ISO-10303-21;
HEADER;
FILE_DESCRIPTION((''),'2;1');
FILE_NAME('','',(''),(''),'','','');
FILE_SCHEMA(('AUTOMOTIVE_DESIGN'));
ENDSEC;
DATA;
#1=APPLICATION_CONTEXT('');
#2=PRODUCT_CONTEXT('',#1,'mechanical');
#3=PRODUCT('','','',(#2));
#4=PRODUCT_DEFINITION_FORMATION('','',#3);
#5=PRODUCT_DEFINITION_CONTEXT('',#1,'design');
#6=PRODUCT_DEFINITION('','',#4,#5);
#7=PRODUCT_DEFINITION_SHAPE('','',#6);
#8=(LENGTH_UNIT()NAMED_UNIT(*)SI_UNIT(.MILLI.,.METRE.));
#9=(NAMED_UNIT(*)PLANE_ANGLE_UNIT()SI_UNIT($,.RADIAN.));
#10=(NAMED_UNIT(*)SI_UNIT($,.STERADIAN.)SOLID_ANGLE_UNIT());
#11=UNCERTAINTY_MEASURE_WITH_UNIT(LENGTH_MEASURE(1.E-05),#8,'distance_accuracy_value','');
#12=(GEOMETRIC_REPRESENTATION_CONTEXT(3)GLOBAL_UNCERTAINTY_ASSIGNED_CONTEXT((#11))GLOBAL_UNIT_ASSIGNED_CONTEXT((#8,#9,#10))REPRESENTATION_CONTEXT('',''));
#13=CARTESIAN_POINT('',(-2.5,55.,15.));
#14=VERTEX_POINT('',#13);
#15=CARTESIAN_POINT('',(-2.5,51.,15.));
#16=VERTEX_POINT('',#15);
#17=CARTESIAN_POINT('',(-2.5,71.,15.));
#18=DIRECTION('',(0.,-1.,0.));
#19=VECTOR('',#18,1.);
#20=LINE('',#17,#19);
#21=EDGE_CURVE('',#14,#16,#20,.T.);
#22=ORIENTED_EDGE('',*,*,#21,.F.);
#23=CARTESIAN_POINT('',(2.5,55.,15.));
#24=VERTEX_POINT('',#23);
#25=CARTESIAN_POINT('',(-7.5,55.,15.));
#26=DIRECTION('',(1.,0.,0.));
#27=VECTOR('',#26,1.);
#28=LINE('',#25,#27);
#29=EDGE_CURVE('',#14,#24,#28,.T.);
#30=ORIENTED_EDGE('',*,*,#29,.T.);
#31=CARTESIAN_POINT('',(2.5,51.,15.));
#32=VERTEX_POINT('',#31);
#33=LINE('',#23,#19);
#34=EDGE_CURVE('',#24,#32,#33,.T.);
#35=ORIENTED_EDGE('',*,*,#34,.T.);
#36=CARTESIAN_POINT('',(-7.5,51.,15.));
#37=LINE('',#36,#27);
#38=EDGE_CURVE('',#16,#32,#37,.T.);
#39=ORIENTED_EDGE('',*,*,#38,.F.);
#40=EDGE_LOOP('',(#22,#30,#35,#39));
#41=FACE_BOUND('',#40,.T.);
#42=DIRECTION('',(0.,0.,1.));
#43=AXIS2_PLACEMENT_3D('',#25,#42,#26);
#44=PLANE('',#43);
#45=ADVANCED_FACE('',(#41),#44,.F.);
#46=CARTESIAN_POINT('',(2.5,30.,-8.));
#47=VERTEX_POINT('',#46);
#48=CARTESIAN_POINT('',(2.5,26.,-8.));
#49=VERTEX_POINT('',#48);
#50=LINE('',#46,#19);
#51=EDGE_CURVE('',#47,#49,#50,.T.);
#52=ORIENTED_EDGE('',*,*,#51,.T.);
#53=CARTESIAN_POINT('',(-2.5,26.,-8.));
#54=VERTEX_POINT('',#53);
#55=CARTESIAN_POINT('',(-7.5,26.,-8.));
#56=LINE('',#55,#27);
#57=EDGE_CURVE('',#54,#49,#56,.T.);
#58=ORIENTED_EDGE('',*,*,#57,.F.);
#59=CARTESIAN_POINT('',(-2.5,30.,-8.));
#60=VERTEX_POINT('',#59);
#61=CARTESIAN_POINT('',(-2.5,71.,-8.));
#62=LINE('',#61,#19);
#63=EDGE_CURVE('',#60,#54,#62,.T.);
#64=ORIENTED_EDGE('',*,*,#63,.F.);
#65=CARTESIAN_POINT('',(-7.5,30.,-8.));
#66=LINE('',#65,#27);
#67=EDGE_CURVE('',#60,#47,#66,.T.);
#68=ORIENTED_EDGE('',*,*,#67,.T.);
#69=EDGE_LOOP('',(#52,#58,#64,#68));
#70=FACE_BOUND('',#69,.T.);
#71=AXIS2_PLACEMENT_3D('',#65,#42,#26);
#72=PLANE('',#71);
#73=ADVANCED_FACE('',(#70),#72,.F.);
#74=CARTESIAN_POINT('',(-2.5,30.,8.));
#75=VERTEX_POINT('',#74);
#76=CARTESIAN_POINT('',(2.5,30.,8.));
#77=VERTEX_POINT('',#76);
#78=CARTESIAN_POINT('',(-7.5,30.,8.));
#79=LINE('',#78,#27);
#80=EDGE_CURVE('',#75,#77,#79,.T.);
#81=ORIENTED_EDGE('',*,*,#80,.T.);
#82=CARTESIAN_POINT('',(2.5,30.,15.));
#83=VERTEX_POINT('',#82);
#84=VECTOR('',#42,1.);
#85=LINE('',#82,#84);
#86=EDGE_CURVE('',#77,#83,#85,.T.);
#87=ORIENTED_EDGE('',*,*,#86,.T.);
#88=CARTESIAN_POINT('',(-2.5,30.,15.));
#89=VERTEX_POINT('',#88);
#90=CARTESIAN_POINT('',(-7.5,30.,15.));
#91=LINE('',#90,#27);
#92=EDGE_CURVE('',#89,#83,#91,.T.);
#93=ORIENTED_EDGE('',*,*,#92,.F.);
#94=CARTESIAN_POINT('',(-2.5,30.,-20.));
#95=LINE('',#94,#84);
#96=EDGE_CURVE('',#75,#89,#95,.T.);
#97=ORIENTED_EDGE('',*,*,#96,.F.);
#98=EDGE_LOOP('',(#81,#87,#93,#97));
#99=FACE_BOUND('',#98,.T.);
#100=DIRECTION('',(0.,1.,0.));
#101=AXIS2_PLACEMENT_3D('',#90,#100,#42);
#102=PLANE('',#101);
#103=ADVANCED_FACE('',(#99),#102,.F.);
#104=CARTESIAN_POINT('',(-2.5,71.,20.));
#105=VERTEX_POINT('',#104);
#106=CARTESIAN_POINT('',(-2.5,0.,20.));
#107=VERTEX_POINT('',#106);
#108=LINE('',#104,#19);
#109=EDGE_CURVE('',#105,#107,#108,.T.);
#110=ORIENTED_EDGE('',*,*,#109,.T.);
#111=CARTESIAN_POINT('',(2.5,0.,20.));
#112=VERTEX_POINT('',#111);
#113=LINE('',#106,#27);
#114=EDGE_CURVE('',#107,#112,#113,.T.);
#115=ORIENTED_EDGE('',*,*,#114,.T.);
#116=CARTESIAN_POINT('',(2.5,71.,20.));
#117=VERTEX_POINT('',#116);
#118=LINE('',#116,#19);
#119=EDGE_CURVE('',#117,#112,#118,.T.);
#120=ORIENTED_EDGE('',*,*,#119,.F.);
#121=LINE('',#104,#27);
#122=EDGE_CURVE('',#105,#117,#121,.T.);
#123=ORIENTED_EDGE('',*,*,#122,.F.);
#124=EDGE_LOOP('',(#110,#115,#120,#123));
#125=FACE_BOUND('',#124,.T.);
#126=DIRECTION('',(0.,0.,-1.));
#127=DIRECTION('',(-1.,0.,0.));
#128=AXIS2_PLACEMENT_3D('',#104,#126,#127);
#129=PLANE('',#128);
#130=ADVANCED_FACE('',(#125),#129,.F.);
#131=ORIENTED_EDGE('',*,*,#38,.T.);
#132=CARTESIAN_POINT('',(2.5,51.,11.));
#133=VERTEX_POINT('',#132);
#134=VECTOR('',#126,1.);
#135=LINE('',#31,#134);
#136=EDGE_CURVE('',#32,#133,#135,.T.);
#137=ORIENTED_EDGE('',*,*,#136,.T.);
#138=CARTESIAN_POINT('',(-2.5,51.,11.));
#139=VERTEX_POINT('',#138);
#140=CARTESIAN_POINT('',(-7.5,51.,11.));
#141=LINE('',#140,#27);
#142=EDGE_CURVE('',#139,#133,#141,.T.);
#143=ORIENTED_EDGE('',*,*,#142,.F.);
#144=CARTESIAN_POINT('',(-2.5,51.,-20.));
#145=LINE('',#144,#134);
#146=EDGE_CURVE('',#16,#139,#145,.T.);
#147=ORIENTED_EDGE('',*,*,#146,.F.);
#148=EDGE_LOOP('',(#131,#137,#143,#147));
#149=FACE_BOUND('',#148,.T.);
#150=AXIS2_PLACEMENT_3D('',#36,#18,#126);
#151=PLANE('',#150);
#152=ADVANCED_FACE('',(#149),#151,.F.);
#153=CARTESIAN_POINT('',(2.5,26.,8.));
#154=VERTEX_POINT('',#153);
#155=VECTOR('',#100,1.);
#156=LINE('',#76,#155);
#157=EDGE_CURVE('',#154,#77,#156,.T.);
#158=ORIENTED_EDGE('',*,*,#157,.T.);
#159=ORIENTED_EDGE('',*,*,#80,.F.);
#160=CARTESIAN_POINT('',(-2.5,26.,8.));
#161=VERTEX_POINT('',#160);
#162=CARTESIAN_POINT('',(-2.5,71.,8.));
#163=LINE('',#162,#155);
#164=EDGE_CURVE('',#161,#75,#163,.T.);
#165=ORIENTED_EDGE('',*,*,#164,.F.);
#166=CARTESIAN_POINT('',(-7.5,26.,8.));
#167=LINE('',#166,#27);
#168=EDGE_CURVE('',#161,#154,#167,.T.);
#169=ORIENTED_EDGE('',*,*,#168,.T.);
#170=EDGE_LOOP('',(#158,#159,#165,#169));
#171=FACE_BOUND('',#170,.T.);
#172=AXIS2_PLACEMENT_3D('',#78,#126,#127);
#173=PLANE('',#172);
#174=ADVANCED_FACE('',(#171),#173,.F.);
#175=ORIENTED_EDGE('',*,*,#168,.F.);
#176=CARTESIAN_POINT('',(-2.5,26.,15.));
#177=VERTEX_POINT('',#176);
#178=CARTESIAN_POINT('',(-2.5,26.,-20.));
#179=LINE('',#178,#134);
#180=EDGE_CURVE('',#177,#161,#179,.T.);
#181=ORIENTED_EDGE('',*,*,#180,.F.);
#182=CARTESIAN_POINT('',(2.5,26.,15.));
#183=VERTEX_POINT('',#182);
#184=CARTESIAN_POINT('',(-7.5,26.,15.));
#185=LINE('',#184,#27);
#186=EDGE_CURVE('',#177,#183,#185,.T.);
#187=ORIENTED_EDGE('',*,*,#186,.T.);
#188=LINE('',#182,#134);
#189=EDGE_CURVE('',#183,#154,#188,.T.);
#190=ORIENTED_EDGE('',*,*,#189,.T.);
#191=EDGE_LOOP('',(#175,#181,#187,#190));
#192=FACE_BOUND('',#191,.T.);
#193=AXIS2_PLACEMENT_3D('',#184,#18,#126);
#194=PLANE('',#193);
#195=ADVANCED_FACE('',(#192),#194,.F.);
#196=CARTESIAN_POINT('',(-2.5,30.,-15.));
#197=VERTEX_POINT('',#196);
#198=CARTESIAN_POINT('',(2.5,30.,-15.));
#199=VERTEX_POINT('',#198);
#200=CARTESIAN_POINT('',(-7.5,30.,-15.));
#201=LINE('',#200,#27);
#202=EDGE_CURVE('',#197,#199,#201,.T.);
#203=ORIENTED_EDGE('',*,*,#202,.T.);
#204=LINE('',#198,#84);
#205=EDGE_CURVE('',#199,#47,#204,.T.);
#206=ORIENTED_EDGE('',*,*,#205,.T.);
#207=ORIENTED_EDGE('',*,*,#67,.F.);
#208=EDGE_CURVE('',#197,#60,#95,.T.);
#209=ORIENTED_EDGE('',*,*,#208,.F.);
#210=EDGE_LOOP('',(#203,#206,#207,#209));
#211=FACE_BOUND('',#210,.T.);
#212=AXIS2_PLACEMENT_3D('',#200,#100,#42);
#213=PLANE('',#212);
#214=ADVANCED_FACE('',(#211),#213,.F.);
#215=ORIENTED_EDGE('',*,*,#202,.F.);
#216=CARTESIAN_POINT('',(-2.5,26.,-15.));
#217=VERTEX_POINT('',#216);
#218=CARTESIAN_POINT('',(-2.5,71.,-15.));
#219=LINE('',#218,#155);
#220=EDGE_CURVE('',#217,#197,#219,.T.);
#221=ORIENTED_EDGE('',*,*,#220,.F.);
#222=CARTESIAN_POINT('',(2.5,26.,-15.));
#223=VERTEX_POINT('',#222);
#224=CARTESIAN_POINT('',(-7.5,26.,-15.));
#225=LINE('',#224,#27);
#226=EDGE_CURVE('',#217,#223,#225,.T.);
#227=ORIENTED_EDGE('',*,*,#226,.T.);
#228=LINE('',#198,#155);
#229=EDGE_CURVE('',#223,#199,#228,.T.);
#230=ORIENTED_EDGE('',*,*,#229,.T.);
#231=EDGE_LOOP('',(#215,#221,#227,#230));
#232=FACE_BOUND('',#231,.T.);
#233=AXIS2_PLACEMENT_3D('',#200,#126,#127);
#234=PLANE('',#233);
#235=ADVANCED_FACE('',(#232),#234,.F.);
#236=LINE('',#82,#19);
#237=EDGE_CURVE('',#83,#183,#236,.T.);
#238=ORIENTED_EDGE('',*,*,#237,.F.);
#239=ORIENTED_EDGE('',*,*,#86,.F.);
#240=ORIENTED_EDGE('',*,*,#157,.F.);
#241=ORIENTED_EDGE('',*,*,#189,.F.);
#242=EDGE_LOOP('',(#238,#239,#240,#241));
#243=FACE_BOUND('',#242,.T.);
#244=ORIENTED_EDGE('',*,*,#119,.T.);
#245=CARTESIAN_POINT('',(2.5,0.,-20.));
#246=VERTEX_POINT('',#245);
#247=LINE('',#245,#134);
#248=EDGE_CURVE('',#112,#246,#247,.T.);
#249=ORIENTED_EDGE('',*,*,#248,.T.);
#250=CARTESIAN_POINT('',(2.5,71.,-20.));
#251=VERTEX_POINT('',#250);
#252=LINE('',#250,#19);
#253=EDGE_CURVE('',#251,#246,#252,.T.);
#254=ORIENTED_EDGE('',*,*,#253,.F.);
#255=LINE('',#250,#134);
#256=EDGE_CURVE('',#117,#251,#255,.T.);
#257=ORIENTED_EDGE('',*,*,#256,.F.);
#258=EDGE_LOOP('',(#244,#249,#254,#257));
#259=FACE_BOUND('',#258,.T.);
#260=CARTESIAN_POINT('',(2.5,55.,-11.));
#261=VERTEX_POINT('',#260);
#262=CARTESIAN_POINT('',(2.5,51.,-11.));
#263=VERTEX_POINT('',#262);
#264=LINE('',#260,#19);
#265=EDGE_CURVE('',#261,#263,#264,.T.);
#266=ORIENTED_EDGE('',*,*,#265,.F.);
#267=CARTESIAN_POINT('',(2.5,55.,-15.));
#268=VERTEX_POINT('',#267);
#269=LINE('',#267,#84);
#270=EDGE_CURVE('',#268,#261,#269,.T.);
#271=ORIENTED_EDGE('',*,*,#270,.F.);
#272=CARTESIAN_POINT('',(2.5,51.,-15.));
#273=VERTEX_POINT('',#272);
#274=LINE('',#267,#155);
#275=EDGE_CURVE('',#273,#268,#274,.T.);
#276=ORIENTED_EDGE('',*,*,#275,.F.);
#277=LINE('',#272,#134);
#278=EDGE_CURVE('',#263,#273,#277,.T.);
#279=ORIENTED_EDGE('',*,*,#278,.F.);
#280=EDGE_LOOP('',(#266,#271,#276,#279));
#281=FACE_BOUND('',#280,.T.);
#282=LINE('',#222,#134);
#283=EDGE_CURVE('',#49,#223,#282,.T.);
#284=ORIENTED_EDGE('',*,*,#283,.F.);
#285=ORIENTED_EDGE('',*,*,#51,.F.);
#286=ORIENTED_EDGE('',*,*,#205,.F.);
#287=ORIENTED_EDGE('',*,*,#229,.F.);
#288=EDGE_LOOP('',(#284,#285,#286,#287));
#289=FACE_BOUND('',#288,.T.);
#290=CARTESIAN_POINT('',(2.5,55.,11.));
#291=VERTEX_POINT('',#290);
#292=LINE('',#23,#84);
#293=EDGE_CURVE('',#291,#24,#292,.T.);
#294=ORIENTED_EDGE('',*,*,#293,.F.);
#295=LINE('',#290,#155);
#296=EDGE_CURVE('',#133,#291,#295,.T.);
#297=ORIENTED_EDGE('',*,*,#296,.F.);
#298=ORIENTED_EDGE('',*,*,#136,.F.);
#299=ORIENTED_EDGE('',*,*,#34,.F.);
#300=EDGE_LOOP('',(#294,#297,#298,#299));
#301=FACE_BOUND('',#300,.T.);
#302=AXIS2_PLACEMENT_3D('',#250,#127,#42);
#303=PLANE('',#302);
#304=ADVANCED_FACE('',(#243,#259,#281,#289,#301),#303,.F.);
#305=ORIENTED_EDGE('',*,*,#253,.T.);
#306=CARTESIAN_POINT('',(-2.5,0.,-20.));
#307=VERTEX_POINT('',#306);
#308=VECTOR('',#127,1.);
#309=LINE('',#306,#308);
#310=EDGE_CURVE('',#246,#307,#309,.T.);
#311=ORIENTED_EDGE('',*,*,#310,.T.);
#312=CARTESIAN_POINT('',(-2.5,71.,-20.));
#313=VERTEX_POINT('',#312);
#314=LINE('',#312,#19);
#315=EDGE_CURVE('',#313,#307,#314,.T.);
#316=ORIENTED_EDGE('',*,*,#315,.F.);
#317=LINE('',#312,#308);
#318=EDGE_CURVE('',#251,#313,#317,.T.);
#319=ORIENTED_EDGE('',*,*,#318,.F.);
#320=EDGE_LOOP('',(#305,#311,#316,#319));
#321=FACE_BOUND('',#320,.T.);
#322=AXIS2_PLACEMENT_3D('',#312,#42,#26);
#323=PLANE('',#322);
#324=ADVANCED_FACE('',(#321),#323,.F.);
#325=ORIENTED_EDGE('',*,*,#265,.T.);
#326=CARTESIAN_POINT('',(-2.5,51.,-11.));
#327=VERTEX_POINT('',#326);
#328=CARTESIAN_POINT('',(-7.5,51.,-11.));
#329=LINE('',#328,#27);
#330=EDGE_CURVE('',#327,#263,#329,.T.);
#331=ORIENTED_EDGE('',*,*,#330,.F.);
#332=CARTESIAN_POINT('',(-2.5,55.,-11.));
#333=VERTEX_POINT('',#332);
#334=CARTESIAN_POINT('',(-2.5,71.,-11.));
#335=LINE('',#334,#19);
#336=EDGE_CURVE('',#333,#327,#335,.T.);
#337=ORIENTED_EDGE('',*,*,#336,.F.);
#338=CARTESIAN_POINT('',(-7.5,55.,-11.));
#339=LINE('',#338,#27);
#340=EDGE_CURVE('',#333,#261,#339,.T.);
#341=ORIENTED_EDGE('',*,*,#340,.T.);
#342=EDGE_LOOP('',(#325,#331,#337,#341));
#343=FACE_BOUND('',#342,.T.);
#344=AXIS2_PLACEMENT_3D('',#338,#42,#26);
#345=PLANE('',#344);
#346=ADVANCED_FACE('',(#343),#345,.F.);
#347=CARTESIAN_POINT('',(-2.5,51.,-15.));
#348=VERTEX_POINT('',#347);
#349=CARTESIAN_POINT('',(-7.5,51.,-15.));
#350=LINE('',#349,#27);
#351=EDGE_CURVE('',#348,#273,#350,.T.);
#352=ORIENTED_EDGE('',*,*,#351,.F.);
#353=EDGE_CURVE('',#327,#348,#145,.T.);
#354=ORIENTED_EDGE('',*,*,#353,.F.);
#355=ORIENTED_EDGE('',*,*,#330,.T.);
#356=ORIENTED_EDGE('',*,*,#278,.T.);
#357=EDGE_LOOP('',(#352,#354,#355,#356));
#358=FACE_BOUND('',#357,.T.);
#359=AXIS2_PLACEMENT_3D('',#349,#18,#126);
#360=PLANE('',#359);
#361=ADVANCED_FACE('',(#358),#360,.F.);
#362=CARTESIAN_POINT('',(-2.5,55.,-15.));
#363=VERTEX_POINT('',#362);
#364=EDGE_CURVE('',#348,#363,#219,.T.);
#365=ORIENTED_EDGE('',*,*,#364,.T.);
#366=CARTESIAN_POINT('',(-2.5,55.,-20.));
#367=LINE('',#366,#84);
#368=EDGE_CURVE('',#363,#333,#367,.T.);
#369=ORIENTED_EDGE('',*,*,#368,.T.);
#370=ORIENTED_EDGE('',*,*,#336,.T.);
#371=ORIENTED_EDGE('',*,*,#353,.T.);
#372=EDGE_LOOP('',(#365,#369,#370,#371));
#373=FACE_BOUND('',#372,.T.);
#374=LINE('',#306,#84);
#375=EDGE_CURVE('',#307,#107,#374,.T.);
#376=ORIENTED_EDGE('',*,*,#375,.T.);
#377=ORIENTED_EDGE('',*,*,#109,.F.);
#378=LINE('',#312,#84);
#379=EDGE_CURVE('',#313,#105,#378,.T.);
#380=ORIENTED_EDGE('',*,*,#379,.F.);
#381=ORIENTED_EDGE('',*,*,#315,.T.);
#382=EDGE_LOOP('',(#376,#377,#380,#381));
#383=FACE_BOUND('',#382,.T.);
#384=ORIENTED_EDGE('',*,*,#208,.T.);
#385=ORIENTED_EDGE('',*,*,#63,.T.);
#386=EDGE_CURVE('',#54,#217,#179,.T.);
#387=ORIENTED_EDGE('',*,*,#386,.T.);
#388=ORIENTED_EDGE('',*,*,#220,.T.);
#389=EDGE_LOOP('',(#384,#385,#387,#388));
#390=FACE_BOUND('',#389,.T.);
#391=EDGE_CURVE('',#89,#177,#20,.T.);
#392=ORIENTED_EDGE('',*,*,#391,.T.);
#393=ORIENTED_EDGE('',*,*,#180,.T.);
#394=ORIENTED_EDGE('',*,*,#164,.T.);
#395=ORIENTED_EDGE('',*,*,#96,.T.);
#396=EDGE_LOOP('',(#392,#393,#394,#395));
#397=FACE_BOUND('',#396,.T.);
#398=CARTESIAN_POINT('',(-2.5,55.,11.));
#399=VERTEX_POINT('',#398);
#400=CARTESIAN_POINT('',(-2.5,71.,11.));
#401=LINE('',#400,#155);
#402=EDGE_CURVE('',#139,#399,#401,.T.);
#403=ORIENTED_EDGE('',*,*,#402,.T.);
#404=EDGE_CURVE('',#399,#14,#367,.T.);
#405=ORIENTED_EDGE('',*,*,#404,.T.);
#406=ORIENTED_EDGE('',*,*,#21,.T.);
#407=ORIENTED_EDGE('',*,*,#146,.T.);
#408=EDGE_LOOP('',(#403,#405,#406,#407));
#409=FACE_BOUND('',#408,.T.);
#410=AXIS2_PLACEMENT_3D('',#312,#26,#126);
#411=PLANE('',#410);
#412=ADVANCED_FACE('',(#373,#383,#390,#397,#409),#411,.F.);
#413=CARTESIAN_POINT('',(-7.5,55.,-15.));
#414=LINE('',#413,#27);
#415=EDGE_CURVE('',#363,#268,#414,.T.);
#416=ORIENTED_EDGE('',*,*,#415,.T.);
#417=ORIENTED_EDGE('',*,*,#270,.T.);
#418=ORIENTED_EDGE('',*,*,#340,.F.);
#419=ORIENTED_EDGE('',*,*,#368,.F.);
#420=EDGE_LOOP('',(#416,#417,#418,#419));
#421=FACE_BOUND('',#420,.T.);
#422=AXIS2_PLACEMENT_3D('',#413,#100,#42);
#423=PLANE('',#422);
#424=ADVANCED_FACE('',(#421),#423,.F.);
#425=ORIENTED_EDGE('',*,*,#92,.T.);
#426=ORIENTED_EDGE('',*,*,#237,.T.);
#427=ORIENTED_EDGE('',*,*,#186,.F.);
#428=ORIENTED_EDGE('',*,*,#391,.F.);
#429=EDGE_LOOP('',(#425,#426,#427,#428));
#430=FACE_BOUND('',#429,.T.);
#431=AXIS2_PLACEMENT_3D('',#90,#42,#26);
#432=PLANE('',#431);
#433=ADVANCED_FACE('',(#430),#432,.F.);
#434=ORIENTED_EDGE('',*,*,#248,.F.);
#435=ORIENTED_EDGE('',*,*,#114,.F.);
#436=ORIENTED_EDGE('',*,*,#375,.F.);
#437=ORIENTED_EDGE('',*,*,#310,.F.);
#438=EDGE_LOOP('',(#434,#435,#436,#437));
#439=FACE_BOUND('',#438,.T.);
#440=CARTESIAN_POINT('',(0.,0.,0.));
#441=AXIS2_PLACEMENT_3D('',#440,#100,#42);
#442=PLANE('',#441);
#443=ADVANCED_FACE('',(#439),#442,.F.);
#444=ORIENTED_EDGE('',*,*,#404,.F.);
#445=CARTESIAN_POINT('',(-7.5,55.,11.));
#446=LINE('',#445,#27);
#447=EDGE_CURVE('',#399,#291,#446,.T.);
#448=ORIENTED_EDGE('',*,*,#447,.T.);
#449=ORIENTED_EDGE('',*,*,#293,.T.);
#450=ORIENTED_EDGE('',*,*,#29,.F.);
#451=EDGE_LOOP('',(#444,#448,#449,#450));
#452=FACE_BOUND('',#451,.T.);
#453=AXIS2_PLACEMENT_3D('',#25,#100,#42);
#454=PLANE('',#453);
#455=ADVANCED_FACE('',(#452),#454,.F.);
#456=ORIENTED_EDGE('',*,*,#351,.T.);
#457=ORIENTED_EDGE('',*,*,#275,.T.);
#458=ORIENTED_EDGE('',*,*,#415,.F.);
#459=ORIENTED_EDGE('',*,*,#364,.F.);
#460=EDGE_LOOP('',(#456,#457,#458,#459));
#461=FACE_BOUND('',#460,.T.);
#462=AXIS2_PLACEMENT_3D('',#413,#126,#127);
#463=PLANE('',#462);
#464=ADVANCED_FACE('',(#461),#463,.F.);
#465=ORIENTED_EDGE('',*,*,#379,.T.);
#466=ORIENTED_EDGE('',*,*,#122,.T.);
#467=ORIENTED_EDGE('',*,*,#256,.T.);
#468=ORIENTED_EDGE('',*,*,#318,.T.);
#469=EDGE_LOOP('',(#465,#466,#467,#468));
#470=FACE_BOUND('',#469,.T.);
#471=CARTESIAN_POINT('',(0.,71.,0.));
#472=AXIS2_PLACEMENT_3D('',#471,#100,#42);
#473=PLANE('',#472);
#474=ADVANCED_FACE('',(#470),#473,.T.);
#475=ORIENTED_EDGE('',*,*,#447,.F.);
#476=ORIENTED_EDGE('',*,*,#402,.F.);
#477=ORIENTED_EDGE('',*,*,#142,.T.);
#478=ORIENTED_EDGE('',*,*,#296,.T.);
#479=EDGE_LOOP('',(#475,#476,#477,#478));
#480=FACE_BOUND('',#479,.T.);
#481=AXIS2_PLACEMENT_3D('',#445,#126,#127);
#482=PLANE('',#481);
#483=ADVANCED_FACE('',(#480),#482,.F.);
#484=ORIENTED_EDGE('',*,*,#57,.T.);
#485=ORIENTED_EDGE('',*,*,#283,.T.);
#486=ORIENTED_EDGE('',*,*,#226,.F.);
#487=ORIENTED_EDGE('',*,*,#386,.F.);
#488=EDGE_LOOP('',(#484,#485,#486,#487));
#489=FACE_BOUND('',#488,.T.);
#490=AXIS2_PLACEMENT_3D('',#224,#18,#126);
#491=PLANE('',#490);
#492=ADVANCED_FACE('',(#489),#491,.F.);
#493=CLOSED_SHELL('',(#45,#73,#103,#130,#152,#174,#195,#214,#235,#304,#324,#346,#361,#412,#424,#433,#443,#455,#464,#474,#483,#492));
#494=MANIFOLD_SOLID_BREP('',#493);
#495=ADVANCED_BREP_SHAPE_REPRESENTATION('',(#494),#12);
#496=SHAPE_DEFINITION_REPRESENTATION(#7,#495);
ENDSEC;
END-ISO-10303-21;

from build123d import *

# Parameters (mm, degrees)
SKETCH1_W           = 5
SKETCH1_H           = 40
BOSS_EXTRUDE1_DEPTH = 71
SKETCH2_W           = 7
SKETCH2_H           = 4
SKETCH2_W_2         = 4
CUT_EXTRUDE1_DEPTH  = 10


with BuildPart() as part:
    # Sketch1 → Boss-Extrude1 (new body)
    with BuildSketch(Plane(origin=(0, 0, 0), x_dir=(1, 0, 0), z_dir=(0, 1, 0))):
        Rectangle(SKETCH1_W, SKETCH1_H)
    extrude(amount=BOSS_EXTRUDE1_DEPTH)

    # Sketch2 → Cut-Extrude1 (cut)
    with BuildSketch(Plane(origin=(2.5, 0, 0), x_dir=(0, 0, -1), z_dir=(1, 0, 0))):
        with Locations((-11.5, 28)):
            Rectangle(SKETCH2_W, SKETCH2_H)
        with Locations((11.5, 28)):
            Rectangle(SKETCH2_W, SKETCH2_H)
        with Locations((-13, 53)):
            Rectangle(SKETCH2_W_2, SKETCH2_H)
        with Locations((13, 53)):
            Rectangle(SKETCH2_W_2, SKETCH2_H)
    extrude(amount=-CUT_EXTRUDE1_DEPTH, mode=Mode.SUBTRACT)


solid = part.part
